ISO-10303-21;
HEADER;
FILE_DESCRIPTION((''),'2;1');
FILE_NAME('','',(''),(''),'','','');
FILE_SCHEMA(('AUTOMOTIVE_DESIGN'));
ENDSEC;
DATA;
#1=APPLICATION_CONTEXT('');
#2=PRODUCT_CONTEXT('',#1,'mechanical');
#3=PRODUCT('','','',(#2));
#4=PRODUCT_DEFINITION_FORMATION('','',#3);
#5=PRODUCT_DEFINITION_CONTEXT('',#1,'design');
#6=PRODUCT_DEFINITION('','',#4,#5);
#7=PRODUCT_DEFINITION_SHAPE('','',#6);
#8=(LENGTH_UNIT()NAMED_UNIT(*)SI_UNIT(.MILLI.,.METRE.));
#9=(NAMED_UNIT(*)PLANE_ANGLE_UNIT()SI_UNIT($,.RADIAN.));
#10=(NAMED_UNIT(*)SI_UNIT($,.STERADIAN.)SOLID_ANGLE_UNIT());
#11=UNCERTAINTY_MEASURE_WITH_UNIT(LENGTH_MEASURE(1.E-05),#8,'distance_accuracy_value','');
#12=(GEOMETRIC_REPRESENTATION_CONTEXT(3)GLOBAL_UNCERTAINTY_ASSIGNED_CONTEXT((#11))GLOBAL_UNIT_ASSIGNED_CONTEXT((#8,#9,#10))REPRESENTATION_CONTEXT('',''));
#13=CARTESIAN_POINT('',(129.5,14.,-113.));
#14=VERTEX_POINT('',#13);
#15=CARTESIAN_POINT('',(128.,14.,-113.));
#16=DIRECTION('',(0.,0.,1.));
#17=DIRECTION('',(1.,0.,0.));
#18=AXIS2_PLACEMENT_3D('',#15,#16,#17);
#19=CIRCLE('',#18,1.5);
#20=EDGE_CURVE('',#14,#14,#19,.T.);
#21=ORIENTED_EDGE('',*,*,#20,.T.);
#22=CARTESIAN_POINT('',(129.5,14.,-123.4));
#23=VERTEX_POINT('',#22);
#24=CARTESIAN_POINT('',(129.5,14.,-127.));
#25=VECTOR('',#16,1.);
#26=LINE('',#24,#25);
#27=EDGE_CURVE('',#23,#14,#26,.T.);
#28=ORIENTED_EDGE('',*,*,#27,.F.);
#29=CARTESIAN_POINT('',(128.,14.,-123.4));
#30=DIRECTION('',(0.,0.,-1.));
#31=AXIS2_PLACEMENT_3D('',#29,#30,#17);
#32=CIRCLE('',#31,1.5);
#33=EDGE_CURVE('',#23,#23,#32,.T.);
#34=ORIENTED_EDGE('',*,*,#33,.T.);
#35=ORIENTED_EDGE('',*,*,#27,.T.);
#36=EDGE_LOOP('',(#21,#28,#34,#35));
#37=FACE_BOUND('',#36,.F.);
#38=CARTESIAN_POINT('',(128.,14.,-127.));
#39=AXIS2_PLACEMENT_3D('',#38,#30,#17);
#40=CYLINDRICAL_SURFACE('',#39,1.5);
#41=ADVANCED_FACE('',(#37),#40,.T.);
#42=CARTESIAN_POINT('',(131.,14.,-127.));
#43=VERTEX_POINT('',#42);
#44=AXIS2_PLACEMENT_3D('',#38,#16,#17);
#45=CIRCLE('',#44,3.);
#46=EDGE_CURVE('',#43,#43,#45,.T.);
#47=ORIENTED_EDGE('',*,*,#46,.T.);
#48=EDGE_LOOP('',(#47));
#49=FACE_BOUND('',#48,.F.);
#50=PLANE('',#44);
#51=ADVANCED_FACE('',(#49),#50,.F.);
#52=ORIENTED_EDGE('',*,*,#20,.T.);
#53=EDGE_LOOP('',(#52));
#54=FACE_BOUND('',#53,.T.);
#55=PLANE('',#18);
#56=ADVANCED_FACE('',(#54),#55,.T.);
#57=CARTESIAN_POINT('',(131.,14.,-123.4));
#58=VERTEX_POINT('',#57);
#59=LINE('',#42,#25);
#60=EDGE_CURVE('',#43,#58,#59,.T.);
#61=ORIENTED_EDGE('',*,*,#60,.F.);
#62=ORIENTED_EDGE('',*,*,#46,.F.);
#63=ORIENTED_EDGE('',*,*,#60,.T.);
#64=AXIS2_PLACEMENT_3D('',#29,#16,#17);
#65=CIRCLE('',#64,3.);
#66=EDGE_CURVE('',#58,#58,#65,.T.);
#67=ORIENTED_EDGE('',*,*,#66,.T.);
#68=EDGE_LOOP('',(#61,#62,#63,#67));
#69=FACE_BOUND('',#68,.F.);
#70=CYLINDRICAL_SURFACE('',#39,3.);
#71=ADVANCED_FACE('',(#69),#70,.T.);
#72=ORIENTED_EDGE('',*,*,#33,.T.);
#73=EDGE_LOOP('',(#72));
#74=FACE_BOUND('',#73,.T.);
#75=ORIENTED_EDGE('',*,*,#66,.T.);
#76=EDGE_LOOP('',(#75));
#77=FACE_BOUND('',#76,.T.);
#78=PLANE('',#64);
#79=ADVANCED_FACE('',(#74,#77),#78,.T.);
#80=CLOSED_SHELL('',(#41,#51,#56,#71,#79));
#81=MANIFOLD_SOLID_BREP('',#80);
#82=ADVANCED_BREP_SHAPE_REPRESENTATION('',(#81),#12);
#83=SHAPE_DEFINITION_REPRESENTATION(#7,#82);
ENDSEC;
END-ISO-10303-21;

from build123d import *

# Parameters (mm, degrees)
CYLINDER034_R     = 3
CYLINDER034_DEPTH = 3.6
CYLINDER035_R     = 1.5
CYLINDER035_DEPTH = 14


with BuildPart() as cylinder034:
    # Cylinder034 → Cylinder034 (new body)
    with BuildSketch(Plane.XY.offset(10)):
        Circle(CYLINDER034_R)
    extrude(amount=CYLINDER034_DEPTH)


with BuildPart() as cortador_tornillo_cabeza_hundida:
    # Cylinder035 → Cylinder035 (new body)
    with BuildSketch(Plane.XY.offset(10)):
        Circle(CYLINDER035_R)
    extrude(amount=CYLINDER035_DEPTH)

    # Fusion007002009027003005008003003018004: union Cylinder034
    add(cylinder034.part)


with BuildPart() as cortador_tornillo_cabeza_hundida_1:
    # Fusion007002009027003005008003003018004 placement: moved
    add(cortador_tornillo_cabeza_hundida.part.moved(Location((128, 14, -137))))


solid = cortador_tornillo_cabeza_hundida_1.part
